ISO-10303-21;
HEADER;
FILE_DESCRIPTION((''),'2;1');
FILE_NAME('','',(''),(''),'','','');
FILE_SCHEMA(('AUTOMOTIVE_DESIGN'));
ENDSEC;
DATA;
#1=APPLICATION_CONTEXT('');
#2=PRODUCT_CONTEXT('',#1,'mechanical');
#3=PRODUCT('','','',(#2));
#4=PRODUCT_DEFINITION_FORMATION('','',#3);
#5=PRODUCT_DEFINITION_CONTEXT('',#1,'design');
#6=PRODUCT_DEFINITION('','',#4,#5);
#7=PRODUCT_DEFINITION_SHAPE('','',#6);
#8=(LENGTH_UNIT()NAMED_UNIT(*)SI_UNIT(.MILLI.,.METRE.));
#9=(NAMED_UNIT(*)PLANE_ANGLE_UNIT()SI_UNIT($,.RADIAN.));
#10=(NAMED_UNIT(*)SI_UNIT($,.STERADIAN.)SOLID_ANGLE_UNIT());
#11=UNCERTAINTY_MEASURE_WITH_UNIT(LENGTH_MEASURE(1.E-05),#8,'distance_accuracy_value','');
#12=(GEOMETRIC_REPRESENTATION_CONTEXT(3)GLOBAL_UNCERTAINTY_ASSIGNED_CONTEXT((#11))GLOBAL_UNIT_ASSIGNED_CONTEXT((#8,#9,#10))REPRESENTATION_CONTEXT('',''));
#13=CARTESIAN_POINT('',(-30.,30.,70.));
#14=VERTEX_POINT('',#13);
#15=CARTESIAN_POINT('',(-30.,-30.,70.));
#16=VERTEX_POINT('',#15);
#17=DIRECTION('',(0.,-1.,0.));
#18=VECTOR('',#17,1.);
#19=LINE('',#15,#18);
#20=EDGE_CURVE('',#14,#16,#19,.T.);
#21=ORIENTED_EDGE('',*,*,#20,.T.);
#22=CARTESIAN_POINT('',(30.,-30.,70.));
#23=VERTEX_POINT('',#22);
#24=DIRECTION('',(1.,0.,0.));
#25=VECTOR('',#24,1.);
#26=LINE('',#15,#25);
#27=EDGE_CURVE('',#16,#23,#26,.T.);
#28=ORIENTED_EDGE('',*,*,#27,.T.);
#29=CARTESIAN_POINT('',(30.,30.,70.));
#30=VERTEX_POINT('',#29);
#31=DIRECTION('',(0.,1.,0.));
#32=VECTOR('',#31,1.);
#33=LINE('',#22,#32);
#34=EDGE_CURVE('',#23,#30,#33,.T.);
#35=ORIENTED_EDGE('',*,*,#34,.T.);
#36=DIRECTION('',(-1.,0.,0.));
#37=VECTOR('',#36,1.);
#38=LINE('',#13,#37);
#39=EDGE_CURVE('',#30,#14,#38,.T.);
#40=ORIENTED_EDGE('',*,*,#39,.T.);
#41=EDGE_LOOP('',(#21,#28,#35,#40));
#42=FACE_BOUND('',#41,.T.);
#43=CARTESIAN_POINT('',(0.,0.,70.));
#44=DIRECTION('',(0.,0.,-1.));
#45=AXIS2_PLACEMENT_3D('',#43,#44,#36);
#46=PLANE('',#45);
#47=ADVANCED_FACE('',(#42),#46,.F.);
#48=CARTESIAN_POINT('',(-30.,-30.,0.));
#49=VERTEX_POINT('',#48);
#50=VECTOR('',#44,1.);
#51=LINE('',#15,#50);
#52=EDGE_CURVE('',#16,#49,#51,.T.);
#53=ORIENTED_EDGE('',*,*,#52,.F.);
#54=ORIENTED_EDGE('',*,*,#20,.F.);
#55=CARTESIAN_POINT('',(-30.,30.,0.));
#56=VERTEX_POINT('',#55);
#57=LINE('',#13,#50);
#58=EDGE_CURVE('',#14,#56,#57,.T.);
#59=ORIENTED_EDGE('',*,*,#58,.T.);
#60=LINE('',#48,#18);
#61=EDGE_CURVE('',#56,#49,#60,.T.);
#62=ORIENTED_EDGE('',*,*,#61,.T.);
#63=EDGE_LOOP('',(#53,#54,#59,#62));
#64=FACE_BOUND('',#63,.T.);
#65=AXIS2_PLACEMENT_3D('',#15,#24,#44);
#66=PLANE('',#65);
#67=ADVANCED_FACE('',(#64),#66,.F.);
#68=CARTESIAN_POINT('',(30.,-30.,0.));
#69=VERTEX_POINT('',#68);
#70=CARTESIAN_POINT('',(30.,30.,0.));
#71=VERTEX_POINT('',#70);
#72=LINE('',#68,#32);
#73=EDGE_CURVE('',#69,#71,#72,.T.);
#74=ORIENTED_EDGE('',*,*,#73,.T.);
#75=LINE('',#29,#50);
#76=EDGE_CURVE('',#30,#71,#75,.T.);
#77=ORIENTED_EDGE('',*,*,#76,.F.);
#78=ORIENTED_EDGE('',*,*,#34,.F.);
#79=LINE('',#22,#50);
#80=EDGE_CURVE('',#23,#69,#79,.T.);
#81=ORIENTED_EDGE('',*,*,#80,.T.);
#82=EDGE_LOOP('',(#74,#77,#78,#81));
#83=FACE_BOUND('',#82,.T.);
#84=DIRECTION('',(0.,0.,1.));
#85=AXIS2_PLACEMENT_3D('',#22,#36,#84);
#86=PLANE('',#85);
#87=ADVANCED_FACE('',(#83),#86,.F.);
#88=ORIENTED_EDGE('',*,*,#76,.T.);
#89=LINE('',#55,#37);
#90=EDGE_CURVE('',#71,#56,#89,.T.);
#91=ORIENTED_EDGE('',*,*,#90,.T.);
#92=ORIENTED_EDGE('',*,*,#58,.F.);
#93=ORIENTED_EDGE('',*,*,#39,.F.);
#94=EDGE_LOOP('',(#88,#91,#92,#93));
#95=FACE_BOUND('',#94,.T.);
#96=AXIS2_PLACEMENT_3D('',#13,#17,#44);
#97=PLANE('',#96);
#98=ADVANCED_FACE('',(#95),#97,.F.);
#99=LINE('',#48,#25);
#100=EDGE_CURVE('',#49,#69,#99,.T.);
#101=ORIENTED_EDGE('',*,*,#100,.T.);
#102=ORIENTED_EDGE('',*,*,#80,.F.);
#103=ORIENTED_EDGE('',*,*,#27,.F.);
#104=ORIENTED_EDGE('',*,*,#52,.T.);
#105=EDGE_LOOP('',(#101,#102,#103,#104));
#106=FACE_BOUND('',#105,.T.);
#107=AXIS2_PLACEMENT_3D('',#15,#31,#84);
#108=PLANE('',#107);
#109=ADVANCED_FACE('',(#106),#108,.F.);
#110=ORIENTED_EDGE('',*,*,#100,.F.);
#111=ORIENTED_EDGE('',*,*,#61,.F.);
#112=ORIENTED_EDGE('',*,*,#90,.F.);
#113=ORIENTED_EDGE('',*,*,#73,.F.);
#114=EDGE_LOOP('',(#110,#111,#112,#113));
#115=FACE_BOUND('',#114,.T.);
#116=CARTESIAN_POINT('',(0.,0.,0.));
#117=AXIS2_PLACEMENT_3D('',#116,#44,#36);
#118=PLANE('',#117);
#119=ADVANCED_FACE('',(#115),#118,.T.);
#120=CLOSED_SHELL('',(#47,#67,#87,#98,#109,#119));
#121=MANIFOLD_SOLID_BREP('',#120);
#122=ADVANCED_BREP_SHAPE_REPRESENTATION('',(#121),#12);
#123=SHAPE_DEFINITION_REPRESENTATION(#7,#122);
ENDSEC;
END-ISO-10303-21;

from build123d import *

# Parameters (mm, degrees)
SKETCH_1_W      = 60
SKETCH_1_H      = 60
EXTRUDE_1_DEPTH = 70


with BuildPart() as part:
    # 草图1 → 凸台-拉伸1 (new body)
    with BuildSketch(Plane.XY):
        Rectangle(SKETCH_1_W, SKETCH_1_H)
    extrude(amount=EXTRUDE_1_DEPTH)


solid = part.part
